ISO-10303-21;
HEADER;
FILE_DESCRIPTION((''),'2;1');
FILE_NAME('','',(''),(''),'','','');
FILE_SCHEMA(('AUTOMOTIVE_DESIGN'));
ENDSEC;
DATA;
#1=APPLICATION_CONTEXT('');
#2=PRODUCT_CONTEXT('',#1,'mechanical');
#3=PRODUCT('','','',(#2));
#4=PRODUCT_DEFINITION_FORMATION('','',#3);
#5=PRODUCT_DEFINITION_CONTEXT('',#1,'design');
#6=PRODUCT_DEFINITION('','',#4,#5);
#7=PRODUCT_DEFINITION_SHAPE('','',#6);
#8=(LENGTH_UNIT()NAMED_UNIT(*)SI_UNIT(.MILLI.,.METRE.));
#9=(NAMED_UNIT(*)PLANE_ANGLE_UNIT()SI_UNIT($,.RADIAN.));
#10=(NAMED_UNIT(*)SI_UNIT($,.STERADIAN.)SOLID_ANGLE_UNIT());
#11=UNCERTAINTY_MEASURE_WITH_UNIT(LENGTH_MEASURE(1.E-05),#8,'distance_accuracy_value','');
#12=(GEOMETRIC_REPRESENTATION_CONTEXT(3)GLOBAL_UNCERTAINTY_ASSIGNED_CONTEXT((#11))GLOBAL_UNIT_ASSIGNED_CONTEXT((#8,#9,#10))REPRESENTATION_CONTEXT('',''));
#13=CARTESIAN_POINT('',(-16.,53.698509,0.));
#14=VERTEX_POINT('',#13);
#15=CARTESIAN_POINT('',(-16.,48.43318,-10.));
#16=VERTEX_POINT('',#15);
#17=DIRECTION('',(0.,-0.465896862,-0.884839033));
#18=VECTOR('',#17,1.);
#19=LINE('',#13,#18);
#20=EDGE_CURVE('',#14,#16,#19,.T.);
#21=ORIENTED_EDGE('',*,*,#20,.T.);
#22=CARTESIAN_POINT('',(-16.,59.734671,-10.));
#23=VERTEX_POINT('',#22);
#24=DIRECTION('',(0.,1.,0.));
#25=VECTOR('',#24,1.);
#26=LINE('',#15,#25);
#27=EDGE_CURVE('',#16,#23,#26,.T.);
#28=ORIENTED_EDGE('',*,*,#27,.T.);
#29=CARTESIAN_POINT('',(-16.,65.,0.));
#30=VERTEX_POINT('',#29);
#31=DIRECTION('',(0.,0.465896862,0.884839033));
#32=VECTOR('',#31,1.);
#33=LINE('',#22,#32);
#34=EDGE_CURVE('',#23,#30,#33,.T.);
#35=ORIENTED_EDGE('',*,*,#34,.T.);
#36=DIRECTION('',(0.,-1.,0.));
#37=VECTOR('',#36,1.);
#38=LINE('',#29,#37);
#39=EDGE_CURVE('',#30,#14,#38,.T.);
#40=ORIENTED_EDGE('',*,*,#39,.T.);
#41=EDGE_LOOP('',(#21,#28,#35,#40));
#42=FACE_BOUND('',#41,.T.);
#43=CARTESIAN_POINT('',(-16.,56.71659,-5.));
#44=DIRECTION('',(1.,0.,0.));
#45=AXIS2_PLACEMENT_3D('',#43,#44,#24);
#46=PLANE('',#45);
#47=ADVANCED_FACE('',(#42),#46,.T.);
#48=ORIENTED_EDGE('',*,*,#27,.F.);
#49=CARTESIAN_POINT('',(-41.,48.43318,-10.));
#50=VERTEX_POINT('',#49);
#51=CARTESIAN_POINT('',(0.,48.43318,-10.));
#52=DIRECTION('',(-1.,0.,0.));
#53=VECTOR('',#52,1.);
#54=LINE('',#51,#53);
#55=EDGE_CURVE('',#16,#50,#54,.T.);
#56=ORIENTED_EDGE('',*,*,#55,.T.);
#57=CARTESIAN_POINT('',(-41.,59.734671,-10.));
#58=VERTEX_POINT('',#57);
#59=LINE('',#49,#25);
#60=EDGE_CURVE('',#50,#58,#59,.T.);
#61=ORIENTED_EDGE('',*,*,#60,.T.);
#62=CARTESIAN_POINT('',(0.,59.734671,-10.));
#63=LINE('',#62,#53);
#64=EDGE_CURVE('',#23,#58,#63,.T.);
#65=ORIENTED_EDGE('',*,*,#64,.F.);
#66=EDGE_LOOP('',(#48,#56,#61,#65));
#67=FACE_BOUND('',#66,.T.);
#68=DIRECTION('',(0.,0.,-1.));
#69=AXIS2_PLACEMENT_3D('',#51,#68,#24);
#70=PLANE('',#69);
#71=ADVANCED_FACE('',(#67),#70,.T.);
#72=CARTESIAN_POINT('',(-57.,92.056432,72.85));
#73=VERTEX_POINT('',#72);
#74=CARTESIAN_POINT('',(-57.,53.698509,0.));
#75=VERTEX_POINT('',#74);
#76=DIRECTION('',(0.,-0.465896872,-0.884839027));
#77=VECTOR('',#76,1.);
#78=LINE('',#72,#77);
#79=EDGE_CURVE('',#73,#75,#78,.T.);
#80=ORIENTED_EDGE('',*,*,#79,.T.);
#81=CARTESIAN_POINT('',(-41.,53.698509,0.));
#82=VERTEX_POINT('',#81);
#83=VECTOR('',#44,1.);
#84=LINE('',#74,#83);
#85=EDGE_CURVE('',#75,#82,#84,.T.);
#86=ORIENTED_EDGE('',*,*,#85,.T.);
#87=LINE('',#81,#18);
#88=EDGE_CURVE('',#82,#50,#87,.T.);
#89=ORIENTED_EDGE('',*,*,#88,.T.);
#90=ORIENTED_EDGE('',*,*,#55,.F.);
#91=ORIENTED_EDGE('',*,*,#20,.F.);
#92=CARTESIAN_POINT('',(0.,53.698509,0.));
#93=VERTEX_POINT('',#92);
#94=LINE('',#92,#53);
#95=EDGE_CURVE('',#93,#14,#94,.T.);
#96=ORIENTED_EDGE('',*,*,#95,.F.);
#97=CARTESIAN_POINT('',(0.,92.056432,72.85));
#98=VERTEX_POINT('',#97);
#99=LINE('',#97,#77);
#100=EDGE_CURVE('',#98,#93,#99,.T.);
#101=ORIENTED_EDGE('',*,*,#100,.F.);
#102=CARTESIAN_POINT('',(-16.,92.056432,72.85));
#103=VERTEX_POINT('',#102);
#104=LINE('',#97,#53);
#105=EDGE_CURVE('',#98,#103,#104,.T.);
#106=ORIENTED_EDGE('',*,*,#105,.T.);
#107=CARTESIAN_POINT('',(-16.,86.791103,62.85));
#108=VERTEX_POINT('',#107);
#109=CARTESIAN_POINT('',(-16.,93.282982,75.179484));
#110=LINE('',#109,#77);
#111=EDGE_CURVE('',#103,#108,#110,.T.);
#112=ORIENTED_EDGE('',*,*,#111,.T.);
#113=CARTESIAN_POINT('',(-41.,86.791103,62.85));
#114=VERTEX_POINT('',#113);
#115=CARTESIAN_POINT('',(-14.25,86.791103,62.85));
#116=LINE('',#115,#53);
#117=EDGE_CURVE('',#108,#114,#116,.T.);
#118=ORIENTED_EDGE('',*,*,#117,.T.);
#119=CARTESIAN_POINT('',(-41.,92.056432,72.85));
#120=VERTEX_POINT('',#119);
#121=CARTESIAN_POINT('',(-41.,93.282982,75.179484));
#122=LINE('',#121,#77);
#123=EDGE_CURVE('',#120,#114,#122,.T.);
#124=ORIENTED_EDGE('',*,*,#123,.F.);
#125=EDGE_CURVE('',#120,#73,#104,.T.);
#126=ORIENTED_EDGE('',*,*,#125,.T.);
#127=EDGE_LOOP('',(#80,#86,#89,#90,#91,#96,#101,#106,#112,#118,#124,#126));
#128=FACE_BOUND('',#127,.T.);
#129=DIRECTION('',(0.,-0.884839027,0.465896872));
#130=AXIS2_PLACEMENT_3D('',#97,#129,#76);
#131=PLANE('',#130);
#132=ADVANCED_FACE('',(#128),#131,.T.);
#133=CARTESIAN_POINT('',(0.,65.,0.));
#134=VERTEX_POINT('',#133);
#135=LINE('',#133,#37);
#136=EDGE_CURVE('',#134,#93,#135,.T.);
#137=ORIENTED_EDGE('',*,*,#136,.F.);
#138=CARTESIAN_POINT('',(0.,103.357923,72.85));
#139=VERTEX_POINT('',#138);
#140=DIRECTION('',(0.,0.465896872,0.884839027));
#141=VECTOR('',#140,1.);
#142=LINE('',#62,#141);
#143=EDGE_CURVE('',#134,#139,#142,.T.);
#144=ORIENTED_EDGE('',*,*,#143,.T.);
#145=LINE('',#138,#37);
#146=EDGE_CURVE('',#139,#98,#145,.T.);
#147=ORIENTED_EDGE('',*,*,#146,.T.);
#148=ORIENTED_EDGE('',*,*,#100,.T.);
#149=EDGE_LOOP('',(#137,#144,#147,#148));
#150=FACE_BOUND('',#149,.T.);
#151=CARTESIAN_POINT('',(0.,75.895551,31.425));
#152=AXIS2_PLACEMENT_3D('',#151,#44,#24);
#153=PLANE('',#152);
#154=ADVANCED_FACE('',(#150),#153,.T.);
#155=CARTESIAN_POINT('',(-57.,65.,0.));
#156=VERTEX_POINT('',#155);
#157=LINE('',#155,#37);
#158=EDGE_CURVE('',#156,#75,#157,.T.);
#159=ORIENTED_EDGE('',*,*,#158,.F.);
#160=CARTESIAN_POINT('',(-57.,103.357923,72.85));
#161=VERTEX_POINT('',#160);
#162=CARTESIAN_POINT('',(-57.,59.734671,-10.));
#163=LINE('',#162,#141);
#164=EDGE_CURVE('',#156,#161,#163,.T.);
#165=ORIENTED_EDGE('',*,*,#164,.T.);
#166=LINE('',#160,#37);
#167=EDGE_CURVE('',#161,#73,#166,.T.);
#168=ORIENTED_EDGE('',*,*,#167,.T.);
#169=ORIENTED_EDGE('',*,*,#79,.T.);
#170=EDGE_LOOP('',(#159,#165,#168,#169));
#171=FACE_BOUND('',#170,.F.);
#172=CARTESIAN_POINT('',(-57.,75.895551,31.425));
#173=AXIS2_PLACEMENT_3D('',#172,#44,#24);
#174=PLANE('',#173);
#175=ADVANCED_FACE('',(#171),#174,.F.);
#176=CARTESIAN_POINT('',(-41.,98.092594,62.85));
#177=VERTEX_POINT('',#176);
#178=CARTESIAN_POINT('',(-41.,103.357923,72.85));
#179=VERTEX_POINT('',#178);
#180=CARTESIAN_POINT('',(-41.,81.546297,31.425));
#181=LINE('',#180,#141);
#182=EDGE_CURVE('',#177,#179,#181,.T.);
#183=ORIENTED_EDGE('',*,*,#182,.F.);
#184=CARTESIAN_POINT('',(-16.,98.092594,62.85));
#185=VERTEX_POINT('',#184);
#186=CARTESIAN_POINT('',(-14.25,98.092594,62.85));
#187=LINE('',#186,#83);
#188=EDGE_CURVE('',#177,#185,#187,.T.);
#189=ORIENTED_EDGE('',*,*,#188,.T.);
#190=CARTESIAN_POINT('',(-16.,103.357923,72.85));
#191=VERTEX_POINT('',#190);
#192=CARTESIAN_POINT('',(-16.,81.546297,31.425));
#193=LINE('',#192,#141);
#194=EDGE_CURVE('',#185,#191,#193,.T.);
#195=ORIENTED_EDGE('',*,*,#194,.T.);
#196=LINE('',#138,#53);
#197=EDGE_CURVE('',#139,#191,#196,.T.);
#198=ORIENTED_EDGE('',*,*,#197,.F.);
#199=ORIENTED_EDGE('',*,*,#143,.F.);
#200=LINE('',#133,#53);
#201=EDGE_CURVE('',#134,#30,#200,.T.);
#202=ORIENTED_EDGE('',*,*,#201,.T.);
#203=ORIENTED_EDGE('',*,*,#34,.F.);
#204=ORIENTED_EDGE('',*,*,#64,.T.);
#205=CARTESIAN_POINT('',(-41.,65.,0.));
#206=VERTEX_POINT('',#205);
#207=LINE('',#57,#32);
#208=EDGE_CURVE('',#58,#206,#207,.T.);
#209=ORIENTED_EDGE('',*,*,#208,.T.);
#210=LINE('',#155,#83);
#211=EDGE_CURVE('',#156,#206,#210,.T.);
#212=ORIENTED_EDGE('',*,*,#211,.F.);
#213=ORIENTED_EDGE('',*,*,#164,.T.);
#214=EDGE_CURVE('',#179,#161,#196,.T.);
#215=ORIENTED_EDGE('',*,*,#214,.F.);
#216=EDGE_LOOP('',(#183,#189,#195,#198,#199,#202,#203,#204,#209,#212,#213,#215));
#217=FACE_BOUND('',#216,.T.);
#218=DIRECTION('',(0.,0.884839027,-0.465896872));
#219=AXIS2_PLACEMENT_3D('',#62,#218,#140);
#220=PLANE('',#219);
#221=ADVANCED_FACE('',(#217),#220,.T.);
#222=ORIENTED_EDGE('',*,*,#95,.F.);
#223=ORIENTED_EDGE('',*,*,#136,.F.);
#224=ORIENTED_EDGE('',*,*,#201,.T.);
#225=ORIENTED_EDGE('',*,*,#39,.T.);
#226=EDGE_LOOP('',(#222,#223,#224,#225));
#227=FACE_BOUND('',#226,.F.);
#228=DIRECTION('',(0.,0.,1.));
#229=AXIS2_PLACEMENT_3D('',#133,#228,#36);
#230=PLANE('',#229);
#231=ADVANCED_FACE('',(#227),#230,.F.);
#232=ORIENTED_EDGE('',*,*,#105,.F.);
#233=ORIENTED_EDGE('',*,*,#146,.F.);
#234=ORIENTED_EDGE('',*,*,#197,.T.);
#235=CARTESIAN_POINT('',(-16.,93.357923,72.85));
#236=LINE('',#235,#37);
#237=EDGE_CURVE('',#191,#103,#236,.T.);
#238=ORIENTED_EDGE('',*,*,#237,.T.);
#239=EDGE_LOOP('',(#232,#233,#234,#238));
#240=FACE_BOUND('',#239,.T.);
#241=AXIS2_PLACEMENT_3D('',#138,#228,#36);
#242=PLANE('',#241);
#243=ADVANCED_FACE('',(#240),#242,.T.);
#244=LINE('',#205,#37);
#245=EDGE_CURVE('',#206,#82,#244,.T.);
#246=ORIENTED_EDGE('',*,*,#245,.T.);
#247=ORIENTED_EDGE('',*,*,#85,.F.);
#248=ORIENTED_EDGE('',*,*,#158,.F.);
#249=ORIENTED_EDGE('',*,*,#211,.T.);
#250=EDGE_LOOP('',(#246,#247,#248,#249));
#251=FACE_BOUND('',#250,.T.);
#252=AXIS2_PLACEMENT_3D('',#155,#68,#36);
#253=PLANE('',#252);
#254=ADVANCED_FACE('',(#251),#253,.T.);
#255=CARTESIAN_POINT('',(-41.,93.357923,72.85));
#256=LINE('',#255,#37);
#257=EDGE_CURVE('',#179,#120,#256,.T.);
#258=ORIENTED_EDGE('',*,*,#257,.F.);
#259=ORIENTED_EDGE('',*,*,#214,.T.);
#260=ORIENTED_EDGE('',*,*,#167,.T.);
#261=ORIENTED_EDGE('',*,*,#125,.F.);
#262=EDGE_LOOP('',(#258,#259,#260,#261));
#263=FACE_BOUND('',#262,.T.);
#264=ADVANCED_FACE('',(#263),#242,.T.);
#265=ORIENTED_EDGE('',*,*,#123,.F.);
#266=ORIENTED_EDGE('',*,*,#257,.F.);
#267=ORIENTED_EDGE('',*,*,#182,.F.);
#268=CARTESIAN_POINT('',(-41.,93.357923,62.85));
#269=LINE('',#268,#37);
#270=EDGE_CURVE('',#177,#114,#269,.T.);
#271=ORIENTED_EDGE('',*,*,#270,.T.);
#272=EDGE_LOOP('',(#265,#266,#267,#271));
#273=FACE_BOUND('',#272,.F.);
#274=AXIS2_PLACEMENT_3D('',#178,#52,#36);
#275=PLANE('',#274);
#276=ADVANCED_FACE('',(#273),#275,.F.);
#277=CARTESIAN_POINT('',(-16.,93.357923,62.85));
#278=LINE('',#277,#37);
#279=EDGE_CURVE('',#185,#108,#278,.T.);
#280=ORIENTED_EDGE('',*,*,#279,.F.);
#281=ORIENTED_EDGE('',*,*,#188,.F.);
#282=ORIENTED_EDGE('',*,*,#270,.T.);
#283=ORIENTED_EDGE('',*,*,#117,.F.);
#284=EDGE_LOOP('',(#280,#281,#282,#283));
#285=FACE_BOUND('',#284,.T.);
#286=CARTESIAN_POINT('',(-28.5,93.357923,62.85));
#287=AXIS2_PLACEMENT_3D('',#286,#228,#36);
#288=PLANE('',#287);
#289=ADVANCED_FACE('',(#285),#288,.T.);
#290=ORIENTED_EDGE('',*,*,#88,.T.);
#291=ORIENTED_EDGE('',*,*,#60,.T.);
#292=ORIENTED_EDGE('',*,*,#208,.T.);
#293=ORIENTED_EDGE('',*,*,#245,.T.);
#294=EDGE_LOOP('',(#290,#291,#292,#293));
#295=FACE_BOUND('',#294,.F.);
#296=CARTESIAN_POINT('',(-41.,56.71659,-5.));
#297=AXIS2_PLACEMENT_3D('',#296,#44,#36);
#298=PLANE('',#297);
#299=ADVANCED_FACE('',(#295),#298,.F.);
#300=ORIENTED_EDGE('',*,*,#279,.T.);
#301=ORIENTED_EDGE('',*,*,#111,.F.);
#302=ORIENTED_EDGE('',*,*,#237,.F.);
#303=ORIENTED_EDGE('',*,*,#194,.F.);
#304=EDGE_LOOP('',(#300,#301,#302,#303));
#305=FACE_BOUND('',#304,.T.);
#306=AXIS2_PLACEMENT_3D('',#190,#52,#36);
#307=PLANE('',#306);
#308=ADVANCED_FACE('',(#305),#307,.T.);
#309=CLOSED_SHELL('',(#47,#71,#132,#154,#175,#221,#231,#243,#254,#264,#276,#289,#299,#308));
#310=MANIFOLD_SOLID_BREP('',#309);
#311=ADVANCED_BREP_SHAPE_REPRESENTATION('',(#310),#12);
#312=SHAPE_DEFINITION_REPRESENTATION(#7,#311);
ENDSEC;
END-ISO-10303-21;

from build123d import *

# Parameters (mm, degrees)
PAD045_DEPTH    = 57
POCKET040_DEPTH = 16
POCKET039_DEPTH = 16
SKETCH087_W     = 20
SKETCH087_H     = 25
POCKET041_DEPTH = 10


with BuildPart() as part:
    # Sketch101 → Pad045 (new body)
    with BuildSketch(Plane.YZ):
        Polygon((54.734671, -10), (98.357923, 72.85), (87.056432, 72.85), (43.43318, -10), align=None)
    extrude(amount=-PAD045_DEPTH)

    # Sketch102 (on Face5 of Pad045) → Pocket040 (cut)
    with BuildSketch(Plane.YZ):
        Polygon((43.43318, -10), (54.734671, -10), (60, 0), (48.698509, 0), align=None)
    extrude(amount=-POCKET040_DEPTH, mode=Mode.SUBTRACT)

    # Sketch086 (on Face6 of Pocket040) → Pocket039 (cut)
    with BuildSketch(Plane(origin=(-57, 0, 0), x_dir=(0, 1, 0), z_dir=(-1, 0, 0))):
        Polygon((43.43318, 10), (54.734671, 10), (60, 0), (48.698509, 0), align=None)
    extrude(amount=-POCKET039_DEPTH, mode=Mode.SUBTRACT)

    # Sketch087 (on Face5 of Pocket039) → Pocket041 (cut)
    with BuildSketch(Plane(origin=(0, 0, 72.85), x_dir=(0, -1, 0), z_dir=(0, 0, 1))):
        with Locations((-88.357923, -28.5)):
            Rectangle(SKETCH087_W, SKETCH087_H)
    extrude(amount=-POCKET041_DEPTH, mode=Mode.SUBTRACT)


with BuildPart() as part_1:
    # Body021 placement: moved
    add(part.part.moved(Location((0, 5, 0))))


solid = part_1.part
